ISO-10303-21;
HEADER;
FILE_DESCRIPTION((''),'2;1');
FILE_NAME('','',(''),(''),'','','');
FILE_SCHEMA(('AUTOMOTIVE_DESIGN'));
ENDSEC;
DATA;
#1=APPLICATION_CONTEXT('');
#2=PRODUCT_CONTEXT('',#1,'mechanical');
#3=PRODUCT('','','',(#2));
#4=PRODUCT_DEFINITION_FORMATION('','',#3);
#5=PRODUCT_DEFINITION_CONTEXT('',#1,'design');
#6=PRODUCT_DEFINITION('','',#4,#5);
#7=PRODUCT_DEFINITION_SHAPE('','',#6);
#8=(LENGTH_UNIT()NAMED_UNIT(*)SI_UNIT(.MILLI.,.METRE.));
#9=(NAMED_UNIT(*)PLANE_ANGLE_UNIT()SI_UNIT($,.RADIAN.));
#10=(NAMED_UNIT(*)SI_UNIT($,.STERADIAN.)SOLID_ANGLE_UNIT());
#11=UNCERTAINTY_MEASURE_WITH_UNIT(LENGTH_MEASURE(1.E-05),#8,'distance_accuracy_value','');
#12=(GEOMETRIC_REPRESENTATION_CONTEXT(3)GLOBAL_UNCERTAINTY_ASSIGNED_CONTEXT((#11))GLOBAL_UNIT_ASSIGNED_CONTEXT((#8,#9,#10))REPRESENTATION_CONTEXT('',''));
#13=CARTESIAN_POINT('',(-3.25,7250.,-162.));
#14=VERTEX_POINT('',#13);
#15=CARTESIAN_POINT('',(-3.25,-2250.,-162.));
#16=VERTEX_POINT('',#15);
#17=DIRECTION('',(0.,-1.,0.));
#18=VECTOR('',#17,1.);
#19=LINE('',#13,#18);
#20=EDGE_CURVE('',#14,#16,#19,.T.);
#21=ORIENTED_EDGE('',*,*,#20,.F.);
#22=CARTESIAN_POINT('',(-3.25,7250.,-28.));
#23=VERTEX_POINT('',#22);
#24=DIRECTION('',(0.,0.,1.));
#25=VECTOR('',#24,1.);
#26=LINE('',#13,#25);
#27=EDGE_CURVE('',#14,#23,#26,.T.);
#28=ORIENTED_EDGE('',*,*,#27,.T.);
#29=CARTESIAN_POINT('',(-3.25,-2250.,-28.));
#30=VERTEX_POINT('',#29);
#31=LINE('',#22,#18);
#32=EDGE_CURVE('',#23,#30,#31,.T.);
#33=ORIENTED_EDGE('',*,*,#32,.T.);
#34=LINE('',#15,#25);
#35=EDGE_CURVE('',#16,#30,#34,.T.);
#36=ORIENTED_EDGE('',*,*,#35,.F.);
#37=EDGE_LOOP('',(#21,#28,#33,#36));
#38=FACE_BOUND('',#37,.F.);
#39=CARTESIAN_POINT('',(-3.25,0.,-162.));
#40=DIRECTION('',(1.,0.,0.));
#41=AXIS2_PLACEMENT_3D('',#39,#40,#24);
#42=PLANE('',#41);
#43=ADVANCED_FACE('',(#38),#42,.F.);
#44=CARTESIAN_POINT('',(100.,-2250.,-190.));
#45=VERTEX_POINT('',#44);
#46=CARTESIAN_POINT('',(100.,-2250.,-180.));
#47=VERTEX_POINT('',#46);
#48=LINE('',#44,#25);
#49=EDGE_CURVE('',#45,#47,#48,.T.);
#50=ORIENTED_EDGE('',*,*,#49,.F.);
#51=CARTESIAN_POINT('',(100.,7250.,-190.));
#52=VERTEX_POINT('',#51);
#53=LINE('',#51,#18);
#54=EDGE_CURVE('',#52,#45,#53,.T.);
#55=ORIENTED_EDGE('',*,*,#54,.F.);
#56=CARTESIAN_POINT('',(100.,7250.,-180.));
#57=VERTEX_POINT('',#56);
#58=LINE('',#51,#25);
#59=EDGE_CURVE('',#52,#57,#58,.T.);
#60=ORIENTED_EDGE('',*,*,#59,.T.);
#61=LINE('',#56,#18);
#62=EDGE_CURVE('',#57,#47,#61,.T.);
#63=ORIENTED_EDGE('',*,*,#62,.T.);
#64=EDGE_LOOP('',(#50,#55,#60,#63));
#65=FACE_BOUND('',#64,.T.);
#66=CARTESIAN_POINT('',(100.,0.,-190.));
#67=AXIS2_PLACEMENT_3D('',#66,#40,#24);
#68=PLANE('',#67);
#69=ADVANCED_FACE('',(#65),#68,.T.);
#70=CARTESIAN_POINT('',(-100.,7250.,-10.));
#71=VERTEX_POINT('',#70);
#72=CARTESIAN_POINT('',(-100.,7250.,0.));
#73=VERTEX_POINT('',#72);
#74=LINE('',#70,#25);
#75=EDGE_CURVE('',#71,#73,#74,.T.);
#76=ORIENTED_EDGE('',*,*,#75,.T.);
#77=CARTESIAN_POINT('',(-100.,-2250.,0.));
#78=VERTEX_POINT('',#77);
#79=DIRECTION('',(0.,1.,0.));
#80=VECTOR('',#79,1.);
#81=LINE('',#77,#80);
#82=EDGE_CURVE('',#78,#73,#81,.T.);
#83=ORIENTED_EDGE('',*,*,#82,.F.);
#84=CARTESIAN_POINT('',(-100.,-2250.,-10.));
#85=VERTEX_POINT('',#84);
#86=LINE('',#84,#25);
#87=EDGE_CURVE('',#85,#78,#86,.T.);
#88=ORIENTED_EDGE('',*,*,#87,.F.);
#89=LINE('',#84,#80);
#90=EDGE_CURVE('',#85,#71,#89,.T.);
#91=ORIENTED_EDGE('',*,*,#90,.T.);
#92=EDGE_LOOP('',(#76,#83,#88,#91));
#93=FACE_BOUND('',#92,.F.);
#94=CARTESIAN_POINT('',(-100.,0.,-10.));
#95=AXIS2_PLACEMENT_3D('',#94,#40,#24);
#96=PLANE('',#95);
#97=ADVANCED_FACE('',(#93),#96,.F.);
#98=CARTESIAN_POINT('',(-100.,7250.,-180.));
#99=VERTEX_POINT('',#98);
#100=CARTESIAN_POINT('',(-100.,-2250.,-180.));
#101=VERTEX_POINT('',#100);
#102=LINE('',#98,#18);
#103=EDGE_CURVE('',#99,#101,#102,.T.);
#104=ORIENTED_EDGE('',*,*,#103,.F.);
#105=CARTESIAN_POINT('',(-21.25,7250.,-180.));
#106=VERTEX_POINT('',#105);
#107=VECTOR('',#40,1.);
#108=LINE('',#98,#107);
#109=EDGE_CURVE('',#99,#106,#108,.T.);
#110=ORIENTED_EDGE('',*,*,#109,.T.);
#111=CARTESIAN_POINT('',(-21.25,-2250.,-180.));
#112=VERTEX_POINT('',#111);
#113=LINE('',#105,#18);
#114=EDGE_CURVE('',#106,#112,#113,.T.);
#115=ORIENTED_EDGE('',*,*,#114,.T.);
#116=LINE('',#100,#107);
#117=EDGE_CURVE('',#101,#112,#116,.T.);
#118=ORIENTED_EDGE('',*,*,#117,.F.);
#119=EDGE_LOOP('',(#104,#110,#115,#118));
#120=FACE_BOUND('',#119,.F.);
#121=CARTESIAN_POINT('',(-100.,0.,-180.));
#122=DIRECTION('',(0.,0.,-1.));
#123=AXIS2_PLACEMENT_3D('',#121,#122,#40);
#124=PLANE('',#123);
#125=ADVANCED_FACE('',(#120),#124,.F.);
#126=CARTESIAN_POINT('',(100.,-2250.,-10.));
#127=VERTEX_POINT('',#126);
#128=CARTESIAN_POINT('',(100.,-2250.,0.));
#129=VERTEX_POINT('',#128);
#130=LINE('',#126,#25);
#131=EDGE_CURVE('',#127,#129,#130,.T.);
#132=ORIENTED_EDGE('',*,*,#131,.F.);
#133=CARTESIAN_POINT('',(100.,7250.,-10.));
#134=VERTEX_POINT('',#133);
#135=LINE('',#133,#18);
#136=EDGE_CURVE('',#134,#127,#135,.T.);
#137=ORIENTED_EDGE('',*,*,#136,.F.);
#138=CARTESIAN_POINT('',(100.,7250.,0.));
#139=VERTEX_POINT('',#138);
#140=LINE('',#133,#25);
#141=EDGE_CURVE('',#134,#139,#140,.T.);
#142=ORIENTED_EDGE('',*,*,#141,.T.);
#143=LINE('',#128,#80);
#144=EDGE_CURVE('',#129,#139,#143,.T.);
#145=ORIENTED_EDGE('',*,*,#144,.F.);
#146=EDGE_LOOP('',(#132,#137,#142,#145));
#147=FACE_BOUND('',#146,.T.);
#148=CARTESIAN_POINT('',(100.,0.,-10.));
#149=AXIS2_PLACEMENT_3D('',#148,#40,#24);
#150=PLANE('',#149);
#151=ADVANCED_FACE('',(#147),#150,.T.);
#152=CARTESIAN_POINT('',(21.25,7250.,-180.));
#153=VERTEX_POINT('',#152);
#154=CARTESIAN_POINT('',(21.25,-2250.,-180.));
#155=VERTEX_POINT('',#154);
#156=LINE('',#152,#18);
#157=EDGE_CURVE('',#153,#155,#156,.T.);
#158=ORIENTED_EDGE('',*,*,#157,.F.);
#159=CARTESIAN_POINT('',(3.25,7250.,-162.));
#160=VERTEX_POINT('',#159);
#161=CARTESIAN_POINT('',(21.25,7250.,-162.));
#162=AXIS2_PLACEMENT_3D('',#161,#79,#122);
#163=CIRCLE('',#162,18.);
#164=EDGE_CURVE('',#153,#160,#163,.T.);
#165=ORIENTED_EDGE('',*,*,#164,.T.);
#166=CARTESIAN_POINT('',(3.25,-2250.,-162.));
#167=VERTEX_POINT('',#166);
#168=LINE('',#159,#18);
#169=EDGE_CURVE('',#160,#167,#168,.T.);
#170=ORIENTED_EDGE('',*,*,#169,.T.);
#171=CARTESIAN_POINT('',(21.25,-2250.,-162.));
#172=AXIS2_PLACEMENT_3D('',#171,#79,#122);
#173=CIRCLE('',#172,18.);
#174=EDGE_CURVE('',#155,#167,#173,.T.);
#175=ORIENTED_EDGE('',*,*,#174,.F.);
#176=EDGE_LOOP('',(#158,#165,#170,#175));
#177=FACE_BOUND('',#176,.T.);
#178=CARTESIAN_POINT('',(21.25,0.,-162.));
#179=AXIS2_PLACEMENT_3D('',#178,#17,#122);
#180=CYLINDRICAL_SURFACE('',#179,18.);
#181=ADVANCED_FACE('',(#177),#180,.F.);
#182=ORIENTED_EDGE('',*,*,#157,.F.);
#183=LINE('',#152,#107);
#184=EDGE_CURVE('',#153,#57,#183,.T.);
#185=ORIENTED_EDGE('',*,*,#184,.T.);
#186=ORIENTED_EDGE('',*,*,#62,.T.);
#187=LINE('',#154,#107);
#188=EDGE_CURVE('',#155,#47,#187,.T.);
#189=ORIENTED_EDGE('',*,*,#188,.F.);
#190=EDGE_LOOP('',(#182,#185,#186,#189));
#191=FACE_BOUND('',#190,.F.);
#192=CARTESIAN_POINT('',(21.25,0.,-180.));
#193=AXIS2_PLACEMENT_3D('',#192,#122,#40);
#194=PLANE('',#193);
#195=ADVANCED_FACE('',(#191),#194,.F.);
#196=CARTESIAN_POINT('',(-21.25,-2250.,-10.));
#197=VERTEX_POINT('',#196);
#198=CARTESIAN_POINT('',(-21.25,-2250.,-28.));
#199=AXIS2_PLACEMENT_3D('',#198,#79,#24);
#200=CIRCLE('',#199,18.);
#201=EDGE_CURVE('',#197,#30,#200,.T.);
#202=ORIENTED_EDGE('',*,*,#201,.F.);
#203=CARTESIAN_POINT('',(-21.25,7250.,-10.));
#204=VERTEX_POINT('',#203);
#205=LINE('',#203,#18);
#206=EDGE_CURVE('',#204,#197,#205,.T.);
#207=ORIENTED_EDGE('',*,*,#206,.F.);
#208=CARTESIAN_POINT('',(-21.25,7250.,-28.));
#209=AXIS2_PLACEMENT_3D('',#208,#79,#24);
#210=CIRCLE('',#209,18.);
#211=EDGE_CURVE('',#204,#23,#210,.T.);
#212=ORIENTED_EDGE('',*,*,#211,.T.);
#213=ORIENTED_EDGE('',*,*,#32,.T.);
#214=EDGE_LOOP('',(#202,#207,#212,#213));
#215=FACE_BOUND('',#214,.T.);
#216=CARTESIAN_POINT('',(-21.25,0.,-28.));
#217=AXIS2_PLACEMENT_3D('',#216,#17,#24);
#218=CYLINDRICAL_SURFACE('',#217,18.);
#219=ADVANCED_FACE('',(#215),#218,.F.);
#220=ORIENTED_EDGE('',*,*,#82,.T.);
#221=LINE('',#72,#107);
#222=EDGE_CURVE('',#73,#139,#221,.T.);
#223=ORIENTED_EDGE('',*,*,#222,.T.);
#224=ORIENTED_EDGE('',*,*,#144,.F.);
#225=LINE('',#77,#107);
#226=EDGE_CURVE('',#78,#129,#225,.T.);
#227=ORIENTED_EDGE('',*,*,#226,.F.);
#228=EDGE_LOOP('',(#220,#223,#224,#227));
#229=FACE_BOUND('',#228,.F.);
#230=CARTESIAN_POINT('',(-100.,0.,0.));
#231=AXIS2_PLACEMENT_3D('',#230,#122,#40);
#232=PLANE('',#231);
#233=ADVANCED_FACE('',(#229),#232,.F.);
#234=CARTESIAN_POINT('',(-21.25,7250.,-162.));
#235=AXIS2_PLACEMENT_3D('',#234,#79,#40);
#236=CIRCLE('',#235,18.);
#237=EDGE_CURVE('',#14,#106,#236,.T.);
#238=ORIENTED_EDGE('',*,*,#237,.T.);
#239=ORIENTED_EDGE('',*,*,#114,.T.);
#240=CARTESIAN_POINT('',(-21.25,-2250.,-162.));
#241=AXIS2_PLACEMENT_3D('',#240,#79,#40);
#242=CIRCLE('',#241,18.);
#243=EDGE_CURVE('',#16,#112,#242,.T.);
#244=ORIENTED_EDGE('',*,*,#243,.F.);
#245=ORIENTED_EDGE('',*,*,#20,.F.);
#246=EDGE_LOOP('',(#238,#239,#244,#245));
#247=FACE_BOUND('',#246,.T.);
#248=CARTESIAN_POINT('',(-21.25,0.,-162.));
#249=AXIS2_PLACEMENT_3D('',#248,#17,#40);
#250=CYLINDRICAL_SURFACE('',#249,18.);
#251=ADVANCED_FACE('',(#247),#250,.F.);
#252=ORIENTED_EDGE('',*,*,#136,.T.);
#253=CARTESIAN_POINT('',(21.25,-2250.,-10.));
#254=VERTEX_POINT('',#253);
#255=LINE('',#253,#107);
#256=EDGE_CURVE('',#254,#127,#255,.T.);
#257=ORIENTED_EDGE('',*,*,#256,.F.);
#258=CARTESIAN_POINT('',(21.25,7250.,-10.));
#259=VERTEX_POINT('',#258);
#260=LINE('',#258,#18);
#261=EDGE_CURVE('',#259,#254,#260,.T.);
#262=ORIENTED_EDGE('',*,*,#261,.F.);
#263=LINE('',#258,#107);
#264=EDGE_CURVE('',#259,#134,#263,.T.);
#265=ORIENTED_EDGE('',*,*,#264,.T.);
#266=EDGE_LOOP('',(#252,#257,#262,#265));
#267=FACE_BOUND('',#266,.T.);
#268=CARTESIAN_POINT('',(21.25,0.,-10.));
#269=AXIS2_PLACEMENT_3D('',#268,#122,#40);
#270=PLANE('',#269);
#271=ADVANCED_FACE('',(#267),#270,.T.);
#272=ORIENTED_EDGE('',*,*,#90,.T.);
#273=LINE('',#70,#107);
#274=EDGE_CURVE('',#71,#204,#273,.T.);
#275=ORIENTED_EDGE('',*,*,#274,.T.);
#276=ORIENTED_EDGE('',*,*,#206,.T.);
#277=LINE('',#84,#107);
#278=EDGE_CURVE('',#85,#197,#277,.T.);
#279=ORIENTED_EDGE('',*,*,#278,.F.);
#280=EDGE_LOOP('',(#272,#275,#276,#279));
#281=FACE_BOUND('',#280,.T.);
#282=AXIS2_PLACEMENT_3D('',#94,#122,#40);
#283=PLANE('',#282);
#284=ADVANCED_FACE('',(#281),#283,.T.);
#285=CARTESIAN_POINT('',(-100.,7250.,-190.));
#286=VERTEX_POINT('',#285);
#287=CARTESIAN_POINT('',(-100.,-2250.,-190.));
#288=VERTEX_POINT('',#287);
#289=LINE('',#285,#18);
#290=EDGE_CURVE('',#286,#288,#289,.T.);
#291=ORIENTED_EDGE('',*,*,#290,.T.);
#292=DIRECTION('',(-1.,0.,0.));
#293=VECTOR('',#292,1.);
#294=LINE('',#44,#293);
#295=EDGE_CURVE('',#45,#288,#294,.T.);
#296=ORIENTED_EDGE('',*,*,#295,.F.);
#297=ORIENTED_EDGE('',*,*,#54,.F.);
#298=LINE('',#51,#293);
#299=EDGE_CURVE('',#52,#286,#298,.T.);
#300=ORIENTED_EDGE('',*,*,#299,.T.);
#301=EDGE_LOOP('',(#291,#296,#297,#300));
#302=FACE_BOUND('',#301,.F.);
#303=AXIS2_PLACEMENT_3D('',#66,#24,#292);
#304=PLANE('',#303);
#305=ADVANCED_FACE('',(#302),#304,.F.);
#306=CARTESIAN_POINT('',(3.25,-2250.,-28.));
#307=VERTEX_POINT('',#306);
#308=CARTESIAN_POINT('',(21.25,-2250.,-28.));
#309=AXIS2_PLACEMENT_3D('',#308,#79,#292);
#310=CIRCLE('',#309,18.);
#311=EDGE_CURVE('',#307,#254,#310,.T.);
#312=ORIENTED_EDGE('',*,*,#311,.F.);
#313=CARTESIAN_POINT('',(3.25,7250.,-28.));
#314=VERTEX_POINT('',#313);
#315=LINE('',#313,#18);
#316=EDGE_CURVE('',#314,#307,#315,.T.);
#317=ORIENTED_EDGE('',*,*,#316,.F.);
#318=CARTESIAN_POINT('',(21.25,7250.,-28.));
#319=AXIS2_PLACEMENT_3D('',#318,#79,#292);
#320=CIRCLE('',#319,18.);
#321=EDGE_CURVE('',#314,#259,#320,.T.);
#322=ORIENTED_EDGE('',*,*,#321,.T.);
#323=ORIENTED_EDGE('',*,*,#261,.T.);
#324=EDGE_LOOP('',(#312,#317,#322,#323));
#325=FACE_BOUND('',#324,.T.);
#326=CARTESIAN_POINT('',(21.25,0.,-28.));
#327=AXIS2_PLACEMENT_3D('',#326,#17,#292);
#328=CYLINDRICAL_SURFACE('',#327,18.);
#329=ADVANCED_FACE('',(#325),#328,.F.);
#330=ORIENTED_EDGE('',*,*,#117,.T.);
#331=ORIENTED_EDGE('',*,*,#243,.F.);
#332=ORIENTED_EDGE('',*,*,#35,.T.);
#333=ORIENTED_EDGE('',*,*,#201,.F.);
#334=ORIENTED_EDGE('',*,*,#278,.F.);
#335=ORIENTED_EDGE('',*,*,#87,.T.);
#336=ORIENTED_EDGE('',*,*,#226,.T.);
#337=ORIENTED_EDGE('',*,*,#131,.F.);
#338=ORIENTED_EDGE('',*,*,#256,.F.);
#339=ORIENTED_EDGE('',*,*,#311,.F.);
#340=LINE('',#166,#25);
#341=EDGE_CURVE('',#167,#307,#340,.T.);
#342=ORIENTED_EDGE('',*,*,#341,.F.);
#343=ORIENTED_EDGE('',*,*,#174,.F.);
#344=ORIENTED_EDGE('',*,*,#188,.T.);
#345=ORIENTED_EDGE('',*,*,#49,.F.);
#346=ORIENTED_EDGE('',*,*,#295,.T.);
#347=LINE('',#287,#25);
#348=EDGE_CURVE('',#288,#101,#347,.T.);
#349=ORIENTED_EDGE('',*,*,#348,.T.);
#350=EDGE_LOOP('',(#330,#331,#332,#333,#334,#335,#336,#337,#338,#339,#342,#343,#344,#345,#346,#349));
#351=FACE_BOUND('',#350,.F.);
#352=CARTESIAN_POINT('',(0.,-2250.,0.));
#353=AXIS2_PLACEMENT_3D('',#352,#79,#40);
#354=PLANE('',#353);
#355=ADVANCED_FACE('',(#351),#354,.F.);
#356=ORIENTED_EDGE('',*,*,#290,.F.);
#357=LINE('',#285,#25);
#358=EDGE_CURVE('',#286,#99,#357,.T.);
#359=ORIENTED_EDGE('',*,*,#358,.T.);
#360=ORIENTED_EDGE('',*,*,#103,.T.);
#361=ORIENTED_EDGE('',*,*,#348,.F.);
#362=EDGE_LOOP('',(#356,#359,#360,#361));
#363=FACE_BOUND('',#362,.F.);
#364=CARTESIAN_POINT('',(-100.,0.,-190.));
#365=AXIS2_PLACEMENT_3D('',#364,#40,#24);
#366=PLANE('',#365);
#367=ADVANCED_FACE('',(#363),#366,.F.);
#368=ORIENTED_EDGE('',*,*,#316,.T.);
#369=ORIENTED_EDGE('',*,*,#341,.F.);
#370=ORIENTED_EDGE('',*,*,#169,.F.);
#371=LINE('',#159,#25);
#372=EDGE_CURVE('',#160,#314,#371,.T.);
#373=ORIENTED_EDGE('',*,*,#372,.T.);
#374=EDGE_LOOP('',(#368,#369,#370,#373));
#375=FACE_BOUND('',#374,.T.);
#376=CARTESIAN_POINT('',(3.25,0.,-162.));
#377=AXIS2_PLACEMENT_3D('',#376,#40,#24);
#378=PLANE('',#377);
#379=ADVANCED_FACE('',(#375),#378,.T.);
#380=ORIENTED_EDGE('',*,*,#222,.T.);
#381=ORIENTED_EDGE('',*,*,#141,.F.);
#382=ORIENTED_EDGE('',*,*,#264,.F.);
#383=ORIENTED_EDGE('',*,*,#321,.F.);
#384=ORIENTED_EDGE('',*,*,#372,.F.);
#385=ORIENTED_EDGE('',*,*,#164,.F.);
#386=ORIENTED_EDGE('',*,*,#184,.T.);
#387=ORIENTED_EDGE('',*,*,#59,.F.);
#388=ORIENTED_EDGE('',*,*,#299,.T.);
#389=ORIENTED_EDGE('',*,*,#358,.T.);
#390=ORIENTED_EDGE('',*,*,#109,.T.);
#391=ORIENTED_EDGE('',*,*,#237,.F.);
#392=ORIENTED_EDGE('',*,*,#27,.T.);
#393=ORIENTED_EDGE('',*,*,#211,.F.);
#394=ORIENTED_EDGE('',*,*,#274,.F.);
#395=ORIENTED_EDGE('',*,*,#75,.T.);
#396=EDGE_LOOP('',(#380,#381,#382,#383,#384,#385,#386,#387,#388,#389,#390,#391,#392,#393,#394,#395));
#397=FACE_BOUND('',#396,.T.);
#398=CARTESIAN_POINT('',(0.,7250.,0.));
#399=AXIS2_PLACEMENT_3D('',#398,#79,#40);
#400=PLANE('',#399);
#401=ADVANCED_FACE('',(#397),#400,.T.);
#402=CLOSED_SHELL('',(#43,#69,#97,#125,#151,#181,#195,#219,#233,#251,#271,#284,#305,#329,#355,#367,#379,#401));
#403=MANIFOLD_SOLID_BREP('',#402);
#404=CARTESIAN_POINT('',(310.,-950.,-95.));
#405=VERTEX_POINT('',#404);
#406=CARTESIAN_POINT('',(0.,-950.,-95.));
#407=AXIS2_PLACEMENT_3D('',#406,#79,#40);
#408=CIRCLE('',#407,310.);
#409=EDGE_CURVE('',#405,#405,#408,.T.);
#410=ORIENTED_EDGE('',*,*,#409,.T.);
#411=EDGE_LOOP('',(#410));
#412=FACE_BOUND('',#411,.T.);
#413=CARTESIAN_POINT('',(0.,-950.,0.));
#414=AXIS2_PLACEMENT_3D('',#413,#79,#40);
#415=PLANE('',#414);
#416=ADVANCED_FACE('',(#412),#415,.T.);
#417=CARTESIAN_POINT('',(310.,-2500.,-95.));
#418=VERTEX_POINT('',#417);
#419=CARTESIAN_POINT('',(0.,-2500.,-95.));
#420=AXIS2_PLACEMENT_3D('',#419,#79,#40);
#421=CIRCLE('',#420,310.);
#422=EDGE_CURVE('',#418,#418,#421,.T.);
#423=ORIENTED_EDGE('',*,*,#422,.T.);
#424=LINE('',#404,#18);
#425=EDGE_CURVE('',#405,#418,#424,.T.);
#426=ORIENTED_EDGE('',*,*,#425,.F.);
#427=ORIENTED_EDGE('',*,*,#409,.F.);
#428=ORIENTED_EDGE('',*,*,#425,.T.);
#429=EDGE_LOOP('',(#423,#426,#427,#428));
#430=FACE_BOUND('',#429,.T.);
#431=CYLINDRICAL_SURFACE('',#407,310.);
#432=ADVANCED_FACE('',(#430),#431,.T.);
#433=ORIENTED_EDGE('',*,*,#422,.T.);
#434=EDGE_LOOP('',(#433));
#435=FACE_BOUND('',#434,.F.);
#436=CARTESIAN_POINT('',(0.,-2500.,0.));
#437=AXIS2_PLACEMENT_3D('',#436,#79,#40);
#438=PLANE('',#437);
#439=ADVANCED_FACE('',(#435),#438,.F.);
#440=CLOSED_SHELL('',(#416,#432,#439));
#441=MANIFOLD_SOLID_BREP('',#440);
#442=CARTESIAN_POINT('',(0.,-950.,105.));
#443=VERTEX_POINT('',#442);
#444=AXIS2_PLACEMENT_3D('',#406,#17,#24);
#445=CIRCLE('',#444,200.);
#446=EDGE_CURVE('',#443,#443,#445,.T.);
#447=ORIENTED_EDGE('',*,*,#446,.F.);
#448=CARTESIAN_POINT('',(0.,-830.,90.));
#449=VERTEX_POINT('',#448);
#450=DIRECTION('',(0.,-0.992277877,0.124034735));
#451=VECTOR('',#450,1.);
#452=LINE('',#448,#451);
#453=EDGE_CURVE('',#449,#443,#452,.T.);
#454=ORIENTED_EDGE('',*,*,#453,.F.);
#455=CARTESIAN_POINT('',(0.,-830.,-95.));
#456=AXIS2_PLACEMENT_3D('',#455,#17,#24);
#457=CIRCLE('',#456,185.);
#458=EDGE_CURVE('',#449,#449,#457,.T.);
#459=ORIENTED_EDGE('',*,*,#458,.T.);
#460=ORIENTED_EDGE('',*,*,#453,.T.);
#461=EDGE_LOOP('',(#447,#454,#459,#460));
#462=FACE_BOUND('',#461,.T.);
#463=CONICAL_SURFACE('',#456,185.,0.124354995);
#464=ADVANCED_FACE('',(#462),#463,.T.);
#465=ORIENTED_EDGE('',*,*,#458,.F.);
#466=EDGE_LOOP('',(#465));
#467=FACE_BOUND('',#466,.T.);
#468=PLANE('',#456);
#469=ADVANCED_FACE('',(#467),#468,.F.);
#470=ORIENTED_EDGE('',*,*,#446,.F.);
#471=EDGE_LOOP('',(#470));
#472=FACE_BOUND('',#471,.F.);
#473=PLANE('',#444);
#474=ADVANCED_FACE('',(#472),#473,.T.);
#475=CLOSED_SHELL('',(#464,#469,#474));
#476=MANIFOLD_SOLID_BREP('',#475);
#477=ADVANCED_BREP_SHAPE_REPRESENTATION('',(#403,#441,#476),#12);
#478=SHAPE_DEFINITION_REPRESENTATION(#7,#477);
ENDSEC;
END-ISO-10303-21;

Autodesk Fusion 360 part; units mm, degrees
sketch "Sketch1" plane through (0, 0, 0) normal (0, 1, 0) x (1, 0, 0)
  line L0 (0, 0) -> (100, 0) construction
  line L1 (100, 0) -> (100, 190) construction
  line L2 (100, 190) -> (-100, 190) construction
  line L3 (-100, 190) -> (-100, 0) construction
  line L4 (-100, 0) -> (0, 0) construction
  line L5 (-100, 10) -> (-100, 0)
  line L6 (-100, 0) -> (100, 0)
  line L7 (100, 10) -> (100, 0)
  line L8 (100, 190) -> (100, 180)
  line L9 (100, 190) -> (-100, 190)
  line L10 (-100, 190) -> (-100, 180)
  line L11 (0, 190) -> (0, 0) construction
  line L12 (-3.25, 162) -> (-3.25, 28)
  line L13 (3.25, 162) -> (3.25, 28)
  line L14 (-100, 10) -> (-21.25, 10)
  line L15 (21.25, 10) -> (100, 10)
  line L16 (-100, 180) -> (-21.25, 180)
  line L17 (21.25, 180) -> (100, 180)
  arc A0 (-3.25, 162) -> (-21.25, 180) centre (-21.25, 162) ccw
  arc A1 (21.25, 180) -> (3.25, 162) centre (21.25, 162) ccw
  arc A2 (3.25, 28) -> (21.25, 10) centre (21.25, 28) ccw
  arc A3 (-21.25, 10) -> (-3.25, 28) centre (-21.25, 28) ccw
  dimension "d7" = 100
  dimension "d8" = 190
  dimension "d9" = 200
  dimension "d10" = 190
  dimension "d12" = 10
  dimension "d13" = 10
  dimension "d14" = 3.25
  dimension "d15" = 3.25
  dimension "d16" = 18
extrude "Extrude1" add sketch "Sketch1" along normal blind 7250 and the other way blind 2250 makes body 1
ref_plane "WorkPlane1" through (0, -950, 0) normal (0, 1, 0) x (0, 0, 1)
ref_plane "WorkPlane2" through (0, -2500, 0) normal (0, 1, 0) x (0, 0, 1)
sketch "Sketch2" plane through (0, -950, 0) normal (0, 1, 0) x (1, 0, 0)
  line L0 (0, 0) -> (0, 95)
  circle A0 centre (0, 95) radius 310
  dimension "d23" = 95
  dimension "d24" = 620
extrude "Extrude2" add sketch "Sketch2" against normal blind 1550 separate body makes body 2
sketch "Sketch4" plane through (0, 0, 0) normal (1, 0, 0) x (0, 0, -1)
  line L0 (95, -950) -> (-105, -950)
  line L1 (-105, -950) -> (-105, -830) construction
  line L2 (95, -950) -> (95, -830) construction
  line L3 (95, -830) -> (-105, -830) construction
  line L4 (95, -830) -> (-90, -830)
  line L5 (-90, -830) -> (-105, -950)
  line L6 (95, -830) -> (95, -950)
  point P0 (95, -950)
  dimension "d28" = 200
  dimension "d29" = 120
  dimension "d30" = 120
  dimension "d31" = 185
revolve "Revolve1" add sketch "Sketch4" angle 360 about axis through (0, -830, -95) along (0, -1, 0) separate body makes body 3
sketch "Sketch de construction - Positionnement piquetage" plane through (0, 0, 0) normal (0, 1, 0) x (1, 0, 0)
  circle A0 centre (0, 95) radius 310 construction
  line L0 (0, 0) -> (0, 95) construction
  line L1 (0, 0) -> (-295.0847, 0) construction
  line L2 (0, 0) -> (295.0847, 0) construction
equation "d14 = ( 6.5 / 2 ) * 1 mm"
